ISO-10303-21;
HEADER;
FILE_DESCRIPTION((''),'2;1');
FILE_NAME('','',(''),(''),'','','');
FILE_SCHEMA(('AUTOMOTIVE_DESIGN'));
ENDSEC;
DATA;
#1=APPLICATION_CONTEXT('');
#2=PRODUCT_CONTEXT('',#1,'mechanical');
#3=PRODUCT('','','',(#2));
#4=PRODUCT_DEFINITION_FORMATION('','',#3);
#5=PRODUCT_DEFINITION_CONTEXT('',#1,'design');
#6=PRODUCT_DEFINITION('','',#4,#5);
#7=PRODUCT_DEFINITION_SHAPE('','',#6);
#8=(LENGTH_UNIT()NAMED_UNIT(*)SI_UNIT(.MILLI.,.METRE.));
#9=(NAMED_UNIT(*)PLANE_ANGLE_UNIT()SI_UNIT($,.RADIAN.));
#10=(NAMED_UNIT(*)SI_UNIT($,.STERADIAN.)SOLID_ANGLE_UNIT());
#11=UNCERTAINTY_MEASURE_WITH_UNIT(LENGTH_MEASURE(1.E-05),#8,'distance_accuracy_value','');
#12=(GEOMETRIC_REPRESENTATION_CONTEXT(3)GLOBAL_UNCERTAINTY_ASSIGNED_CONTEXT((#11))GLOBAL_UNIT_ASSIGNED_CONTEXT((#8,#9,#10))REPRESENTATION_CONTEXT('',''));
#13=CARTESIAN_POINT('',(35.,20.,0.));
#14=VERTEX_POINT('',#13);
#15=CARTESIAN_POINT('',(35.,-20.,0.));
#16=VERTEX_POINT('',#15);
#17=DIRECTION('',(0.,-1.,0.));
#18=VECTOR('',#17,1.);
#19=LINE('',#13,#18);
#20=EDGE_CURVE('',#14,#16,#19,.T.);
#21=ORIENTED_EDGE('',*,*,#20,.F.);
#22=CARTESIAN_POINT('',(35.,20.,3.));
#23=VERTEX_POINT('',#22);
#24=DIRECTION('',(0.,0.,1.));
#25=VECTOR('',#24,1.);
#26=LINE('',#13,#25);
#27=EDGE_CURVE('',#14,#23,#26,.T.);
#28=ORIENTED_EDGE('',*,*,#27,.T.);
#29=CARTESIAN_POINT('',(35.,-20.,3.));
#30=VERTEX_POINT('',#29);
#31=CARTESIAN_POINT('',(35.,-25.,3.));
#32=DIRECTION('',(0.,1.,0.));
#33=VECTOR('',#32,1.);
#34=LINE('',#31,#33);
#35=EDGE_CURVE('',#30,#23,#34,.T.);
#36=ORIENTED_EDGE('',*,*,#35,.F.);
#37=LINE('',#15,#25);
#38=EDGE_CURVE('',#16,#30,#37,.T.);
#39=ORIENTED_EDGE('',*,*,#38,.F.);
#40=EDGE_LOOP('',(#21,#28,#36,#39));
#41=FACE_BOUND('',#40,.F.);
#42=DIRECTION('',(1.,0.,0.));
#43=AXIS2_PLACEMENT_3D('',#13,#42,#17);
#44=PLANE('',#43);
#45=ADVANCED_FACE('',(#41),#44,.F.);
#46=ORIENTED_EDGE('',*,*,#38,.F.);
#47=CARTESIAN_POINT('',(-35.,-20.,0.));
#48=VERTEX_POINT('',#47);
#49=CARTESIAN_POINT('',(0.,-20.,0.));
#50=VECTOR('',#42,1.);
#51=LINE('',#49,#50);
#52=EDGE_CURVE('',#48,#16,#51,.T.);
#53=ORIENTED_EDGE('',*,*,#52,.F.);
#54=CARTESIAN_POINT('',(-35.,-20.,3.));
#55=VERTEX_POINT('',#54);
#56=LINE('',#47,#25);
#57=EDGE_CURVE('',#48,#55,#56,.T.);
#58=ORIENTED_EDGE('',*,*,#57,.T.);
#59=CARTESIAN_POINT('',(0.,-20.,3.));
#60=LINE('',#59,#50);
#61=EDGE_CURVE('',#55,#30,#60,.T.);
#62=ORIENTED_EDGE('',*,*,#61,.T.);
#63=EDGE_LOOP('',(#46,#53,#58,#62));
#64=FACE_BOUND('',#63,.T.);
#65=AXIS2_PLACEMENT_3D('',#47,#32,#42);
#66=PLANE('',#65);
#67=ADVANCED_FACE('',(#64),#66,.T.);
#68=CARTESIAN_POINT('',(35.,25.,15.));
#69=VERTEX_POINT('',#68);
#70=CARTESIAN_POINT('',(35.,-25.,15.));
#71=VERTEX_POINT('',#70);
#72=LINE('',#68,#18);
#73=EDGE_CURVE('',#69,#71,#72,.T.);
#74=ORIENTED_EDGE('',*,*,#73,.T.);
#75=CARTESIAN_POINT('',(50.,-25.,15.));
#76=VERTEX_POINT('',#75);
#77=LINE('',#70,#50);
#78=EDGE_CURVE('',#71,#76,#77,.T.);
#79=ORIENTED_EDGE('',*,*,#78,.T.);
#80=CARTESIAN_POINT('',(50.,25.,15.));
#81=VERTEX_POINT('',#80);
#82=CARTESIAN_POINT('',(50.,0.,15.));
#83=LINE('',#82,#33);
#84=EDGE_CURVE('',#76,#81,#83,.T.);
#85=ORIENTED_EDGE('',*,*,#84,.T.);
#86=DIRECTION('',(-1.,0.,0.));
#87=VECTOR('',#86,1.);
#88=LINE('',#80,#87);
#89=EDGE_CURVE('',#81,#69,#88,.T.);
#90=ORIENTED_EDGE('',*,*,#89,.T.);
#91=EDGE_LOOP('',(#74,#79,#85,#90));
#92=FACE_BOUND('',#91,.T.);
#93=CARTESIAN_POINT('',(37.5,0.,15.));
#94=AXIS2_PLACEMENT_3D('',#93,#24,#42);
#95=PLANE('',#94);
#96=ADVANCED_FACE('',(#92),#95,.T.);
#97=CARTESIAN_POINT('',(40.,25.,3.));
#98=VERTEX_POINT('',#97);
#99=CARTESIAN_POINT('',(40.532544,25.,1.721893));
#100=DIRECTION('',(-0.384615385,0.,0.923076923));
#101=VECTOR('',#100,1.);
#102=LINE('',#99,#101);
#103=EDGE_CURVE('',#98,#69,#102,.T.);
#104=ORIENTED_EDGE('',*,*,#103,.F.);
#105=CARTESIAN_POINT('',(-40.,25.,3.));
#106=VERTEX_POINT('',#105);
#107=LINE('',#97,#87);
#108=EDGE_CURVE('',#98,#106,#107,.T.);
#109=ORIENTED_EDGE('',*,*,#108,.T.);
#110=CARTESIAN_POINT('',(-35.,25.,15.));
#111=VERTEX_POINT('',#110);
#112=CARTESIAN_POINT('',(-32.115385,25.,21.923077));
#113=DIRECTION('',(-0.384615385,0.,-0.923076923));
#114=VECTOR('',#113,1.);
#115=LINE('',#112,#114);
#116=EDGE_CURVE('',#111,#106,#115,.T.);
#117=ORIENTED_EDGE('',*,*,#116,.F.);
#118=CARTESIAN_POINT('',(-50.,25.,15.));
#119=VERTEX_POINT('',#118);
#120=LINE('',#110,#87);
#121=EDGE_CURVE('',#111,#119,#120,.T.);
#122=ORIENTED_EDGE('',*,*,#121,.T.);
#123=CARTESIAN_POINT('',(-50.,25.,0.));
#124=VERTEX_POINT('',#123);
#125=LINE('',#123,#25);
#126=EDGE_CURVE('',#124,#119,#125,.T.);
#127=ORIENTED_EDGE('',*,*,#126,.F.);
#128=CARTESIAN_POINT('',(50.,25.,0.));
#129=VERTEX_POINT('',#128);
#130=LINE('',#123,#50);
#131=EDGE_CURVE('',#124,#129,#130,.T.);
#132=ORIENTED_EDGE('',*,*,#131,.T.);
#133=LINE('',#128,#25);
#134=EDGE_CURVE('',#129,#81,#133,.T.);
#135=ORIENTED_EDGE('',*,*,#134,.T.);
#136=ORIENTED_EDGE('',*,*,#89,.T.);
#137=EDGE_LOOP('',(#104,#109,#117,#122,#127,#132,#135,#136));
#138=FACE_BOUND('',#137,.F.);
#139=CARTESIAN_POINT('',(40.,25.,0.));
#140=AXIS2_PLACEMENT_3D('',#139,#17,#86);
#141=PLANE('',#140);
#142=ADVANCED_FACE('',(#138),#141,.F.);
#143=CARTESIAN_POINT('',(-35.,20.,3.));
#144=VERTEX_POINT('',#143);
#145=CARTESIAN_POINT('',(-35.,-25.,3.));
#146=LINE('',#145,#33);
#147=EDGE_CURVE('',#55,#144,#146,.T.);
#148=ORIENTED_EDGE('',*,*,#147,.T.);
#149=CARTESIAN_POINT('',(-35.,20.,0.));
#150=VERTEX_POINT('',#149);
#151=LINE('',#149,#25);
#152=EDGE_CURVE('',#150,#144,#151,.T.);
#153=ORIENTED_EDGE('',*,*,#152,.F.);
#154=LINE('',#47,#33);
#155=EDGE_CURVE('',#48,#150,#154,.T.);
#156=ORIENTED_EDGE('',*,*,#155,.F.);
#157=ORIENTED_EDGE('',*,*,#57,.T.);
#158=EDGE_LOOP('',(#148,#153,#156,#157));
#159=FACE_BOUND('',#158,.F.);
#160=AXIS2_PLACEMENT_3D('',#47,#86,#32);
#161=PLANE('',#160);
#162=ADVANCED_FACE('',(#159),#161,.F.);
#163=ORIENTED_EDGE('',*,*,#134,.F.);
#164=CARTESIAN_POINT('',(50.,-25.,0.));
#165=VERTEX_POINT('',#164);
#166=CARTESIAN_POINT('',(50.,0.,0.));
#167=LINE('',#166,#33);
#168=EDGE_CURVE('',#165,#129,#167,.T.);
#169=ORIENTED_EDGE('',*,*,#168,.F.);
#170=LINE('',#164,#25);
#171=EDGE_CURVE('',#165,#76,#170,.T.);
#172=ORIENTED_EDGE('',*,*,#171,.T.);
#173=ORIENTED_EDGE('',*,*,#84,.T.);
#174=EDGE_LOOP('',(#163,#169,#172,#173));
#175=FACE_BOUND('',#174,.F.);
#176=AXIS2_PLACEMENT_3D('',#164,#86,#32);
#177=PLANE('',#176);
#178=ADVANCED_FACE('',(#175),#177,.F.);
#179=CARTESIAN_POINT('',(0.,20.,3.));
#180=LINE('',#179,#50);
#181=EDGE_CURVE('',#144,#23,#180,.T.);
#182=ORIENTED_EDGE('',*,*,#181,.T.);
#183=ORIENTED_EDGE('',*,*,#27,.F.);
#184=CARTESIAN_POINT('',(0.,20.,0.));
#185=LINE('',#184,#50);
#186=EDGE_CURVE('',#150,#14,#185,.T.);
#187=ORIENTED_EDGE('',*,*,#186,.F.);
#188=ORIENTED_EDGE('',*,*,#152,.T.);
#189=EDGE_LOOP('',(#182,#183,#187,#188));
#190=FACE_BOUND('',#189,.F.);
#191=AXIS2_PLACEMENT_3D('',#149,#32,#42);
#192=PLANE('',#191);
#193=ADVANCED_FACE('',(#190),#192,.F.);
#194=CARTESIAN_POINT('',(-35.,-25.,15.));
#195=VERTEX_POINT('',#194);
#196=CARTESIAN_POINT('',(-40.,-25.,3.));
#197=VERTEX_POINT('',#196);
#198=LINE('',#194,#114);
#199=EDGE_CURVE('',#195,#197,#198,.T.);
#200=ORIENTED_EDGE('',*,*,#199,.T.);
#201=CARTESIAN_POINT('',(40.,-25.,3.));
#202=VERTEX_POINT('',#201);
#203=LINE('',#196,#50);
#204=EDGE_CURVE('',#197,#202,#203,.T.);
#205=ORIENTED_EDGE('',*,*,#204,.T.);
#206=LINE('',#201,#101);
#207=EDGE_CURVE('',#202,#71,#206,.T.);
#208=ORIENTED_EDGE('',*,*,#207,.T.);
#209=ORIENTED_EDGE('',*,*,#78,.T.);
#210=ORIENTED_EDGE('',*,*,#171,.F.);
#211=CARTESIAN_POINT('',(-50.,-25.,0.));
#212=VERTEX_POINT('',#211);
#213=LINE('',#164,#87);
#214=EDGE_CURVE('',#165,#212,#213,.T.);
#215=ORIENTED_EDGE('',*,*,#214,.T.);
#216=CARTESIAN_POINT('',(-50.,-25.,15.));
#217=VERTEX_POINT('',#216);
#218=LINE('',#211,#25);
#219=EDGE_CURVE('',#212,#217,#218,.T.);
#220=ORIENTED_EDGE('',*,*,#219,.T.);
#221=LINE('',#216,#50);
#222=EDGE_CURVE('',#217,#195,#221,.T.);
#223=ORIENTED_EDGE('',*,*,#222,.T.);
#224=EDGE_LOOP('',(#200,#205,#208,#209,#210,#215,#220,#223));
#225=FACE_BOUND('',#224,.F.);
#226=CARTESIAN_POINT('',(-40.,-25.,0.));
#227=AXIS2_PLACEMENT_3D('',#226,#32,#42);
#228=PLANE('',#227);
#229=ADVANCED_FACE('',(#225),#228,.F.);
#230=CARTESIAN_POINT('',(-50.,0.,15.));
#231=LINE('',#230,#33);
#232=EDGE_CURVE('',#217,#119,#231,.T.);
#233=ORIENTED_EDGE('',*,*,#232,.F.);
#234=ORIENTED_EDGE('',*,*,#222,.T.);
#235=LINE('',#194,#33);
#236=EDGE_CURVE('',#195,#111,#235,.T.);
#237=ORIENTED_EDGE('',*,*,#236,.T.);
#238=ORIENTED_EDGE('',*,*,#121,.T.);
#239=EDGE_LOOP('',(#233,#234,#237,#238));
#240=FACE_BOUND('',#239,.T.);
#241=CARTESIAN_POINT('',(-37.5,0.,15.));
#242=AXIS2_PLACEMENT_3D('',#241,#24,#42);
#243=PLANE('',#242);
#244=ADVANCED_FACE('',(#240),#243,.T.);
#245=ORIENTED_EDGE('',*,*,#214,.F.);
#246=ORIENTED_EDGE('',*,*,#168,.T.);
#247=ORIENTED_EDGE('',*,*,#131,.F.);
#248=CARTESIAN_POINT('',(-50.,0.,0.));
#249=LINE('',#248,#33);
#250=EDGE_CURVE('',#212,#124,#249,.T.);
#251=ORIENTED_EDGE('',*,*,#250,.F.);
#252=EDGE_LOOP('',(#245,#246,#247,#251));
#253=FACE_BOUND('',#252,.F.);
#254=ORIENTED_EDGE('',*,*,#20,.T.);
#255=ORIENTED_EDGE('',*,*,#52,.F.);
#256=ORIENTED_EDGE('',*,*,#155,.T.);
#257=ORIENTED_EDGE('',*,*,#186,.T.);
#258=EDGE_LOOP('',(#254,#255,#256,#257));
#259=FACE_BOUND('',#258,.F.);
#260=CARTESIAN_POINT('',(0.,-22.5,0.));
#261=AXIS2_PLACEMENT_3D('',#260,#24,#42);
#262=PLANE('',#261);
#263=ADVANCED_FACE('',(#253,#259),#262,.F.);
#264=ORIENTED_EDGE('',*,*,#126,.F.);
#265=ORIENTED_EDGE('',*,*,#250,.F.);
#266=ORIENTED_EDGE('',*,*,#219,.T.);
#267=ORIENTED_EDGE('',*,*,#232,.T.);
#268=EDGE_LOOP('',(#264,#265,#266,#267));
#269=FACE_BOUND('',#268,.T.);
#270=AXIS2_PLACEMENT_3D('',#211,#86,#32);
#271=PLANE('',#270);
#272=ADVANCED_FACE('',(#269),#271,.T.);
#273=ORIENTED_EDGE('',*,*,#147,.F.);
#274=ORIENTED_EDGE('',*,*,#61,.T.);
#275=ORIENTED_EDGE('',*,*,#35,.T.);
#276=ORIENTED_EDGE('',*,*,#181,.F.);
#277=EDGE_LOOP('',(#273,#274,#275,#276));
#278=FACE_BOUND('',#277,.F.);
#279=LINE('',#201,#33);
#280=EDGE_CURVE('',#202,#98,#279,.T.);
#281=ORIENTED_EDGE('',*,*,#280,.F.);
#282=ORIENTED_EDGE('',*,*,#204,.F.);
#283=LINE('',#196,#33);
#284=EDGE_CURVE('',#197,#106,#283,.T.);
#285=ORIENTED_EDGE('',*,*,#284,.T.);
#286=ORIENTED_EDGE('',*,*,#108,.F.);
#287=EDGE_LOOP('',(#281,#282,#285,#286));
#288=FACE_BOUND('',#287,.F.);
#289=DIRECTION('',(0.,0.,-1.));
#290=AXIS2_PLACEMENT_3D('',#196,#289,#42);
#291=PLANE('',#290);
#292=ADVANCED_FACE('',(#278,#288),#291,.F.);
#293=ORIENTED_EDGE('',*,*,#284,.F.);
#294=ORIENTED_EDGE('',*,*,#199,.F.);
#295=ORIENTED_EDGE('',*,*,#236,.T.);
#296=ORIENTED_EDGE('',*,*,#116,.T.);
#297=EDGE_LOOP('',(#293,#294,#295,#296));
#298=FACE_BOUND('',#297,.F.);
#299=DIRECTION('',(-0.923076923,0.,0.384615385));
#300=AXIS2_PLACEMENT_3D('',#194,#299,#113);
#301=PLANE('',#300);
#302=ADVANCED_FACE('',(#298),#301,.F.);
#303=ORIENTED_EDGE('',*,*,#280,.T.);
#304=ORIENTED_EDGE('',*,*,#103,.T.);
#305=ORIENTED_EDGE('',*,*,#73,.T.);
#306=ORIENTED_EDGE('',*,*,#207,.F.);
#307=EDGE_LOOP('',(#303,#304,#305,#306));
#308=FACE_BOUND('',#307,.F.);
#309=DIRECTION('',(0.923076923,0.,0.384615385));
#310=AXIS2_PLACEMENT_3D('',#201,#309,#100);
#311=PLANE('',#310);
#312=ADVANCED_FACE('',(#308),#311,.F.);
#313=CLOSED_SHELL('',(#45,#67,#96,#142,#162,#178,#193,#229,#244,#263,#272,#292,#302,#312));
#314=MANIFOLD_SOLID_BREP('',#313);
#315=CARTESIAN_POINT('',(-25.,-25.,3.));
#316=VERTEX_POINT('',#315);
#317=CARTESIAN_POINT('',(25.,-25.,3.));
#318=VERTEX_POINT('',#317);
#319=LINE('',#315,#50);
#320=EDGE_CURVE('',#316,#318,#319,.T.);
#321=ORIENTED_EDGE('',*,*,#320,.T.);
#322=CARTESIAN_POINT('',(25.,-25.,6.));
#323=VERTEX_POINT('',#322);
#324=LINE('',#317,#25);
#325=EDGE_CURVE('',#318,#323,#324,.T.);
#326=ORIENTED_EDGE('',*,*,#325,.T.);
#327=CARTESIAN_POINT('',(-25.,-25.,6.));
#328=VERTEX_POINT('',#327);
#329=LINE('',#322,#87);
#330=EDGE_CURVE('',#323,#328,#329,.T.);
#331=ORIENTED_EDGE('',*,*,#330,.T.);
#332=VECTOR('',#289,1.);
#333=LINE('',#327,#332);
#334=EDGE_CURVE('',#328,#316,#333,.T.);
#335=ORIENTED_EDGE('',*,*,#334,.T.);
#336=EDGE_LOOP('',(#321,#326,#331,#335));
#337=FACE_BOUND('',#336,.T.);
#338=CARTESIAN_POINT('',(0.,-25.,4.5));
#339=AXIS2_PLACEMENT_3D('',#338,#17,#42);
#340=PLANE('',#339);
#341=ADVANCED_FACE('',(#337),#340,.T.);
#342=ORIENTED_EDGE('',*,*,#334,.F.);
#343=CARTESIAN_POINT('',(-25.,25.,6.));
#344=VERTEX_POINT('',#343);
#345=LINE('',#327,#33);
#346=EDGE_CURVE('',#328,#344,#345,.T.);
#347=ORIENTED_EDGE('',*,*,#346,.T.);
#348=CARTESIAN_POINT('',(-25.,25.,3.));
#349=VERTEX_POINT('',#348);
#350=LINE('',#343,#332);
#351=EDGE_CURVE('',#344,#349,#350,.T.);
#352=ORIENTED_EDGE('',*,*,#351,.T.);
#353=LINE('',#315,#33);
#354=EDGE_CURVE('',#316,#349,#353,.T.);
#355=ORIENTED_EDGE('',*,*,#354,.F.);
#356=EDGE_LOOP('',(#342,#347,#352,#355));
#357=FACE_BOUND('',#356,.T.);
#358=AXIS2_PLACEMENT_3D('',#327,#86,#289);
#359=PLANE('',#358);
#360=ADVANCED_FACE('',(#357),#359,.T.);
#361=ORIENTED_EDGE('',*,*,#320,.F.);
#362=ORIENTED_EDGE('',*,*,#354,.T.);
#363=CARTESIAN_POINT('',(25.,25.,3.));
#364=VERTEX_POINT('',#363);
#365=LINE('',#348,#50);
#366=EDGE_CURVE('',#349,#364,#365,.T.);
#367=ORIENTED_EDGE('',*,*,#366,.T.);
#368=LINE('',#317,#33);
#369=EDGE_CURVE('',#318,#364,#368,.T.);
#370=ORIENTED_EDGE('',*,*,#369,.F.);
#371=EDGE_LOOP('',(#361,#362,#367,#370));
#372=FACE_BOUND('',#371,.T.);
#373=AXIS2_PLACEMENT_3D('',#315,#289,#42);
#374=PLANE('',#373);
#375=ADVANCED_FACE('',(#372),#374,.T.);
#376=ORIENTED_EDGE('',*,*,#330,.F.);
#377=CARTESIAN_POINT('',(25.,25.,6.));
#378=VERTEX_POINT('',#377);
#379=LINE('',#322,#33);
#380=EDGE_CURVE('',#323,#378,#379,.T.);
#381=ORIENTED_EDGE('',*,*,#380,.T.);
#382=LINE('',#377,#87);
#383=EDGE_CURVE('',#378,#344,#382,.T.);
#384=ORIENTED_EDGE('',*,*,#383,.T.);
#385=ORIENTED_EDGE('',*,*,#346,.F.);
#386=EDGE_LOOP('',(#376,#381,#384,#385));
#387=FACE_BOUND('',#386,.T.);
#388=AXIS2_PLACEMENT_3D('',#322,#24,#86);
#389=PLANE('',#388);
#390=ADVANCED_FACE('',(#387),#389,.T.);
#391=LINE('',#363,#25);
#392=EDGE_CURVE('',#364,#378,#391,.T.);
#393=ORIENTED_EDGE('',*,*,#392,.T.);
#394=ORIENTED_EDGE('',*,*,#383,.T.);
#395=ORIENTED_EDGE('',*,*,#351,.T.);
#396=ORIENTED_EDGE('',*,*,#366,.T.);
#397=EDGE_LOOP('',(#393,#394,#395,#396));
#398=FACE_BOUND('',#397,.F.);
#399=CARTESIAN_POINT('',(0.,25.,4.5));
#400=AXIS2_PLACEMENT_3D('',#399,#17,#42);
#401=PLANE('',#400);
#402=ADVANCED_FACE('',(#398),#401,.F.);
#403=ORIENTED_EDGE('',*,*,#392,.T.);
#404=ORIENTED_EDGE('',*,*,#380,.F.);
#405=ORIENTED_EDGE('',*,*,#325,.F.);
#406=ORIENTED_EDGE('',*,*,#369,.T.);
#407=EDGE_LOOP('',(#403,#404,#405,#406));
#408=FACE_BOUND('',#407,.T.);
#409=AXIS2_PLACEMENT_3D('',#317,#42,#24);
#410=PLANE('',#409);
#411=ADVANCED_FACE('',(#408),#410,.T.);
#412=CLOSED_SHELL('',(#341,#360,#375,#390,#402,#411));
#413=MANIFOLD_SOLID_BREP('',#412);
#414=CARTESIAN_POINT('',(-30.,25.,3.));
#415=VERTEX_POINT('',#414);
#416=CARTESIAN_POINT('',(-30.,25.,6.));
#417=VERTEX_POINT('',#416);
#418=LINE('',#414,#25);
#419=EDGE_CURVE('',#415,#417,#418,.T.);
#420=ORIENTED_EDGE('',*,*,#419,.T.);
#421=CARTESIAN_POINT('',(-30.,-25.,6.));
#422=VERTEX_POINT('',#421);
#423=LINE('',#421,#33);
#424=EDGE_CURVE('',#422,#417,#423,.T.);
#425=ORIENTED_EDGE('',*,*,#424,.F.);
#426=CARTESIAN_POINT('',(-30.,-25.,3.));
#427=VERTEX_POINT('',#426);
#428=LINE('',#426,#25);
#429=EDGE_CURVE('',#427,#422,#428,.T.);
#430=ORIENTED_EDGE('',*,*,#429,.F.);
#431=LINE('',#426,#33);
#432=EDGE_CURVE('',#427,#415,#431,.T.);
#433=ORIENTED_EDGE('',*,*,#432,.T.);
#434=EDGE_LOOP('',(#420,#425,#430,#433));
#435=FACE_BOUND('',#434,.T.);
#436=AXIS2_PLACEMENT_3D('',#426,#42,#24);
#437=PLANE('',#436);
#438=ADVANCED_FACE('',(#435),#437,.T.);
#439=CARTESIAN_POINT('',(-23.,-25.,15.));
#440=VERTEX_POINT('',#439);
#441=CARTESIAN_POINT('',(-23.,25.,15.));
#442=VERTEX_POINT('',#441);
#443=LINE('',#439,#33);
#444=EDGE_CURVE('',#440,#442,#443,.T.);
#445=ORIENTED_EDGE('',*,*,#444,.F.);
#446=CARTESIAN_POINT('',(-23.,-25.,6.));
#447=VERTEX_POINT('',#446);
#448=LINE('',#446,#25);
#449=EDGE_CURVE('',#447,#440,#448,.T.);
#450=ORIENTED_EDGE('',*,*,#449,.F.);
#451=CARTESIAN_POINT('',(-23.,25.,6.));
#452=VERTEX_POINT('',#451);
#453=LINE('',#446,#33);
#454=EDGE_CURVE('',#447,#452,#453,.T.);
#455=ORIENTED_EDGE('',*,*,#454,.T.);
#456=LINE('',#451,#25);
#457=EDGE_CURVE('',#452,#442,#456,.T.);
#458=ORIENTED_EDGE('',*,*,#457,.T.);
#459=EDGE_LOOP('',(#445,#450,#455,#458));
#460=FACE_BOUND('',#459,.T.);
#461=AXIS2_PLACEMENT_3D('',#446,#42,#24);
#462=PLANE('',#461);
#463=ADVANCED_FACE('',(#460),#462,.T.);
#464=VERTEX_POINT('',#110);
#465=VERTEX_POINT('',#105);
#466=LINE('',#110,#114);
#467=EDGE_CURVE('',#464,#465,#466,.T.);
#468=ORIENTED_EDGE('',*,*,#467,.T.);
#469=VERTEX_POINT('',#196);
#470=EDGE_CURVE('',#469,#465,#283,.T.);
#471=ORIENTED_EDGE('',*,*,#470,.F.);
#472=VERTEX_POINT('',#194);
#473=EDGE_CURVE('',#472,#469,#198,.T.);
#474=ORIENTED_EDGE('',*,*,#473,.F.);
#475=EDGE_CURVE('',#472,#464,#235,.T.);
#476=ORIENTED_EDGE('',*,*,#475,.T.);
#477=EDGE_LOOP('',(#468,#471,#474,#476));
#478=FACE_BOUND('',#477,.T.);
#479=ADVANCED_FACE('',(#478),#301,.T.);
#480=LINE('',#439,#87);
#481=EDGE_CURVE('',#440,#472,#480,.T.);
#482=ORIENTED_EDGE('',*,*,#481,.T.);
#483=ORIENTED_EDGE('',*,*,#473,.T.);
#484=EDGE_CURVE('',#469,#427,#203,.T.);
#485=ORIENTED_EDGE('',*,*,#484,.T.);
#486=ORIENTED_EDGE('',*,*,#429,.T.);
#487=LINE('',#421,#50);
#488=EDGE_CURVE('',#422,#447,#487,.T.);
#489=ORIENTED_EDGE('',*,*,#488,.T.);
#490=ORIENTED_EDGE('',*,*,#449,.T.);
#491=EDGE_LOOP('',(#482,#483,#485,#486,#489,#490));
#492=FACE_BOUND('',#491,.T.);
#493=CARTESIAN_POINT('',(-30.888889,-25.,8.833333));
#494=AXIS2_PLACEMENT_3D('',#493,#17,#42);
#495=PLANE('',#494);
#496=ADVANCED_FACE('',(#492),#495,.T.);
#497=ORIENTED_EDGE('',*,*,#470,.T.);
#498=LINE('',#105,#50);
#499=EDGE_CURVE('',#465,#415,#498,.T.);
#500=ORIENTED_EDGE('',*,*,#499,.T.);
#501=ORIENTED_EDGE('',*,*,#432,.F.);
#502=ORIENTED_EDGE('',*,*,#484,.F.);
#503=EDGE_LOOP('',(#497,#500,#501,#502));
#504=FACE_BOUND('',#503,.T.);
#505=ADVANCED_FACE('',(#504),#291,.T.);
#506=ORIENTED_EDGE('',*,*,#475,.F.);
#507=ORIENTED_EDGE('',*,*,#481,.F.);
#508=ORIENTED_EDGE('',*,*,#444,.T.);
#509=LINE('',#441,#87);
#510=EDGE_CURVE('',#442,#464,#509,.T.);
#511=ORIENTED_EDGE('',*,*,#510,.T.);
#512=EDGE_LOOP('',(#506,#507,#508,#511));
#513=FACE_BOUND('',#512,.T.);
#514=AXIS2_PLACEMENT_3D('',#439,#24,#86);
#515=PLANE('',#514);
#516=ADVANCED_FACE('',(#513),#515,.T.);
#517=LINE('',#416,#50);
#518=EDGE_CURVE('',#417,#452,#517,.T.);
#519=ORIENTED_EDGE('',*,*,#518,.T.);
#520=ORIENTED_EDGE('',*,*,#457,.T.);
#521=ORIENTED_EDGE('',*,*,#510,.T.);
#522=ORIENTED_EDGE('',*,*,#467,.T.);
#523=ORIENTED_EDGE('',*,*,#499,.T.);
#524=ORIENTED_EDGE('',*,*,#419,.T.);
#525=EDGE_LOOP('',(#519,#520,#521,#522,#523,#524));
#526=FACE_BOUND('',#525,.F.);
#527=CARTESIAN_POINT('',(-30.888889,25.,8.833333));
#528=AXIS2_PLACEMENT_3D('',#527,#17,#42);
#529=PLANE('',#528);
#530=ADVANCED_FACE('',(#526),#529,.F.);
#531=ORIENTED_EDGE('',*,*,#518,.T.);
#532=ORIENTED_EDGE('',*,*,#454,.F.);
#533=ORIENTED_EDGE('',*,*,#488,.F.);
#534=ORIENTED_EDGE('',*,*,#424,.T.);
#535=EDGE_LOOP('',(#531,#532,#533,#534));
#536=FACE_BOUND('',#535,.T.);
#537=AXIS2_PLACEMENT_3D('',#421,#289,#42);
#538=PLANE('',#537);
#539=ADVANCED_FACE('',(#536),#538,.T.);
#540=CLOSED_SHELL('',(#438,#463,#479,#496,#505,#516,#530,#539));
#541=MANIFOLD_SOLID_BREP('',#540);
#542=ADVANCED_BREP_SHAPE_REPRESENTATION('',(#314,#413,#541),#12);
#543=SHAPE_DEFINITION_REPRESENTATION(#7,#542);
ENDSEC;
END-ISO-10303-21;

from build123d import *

# Parameters (mm, degrees)
F0_W     = 70
F0_H     = 5
F1_DEPTH = 3
F0_W_2   = 10
F0_H_2   = 50
F2_DEPTH = 15
F4_DEPTH = 50.001
F6_DEPTH = 50
F7_DEPTH = 50


with BuildPart() as f1:
    # F0 (on Top) → F1 (new body)
    with BuildSketch(Plane.XY):
        with Locations((0, -22.5)):
            Rectangle(F0_W, F0_H)
        Polygon((-40, -25), (-35, -25), (-35, -20), (-35, 20), (-35, 25), (-40, 25), align=None)
        with Locations((0, 22.5)):
            Rectangle(F0_W, F0_H)
        Polygon((35, -25), (40, -25), (40, 25), (35, 25), (35, 20), (35, -20), align=None)
    extrude(amount=F1_DEPTH)

    # F0 (on Top) → F2 (join)
    with BuildSketch(Plane.XY):
        Polygon((-40, -25), (-35, -25), (-35, -20), (-35, 20), (-35, 25), (-40, 25), align=None)
        with Locations((-45, 0)):
            Rectangle(F0_W_2, F0_H_2)
        Polygon((35, -25), (40, -25), (40, 25), (35, 25), (35, 20), (35, -20), align=None)
        with Locations((45, 0)):
            Rectangle(F0_W_2, F0_H_2)
    extrude(amount=F2_DEPTH)

    # F3 (on face) → F4 (cut, through all)
    with BuildSketch(Plane.XZ.offset(25)):
        Polygon((-35, 3), (-35, 15), (-40, 3), align=None)
        Polygon((35, 15), (35, 3), (40, 3), align=None)
    extrude(amount=-F4_DEPTH, mode=Mode.SUBTRACT)


with BuildPart() as f6:
    # F5 (on face) → F6 (new body, through all)
    with BuildSketch(Plane.XZ.offset(25)):
        Polygon((25, 6), (-23, 6), (-25, 6), (-25, 3), (25, 3), align=None)
    extrude(amount=-F6_DEPTH)


with BuildPart() as f7:
    # F5 (on face) → F7 (new body, through all)
    with BuildSketch(Plane.XZ.offset(25)):
        Polygon((-23, 15), (-35, 15), (-40, 3), (-30, 3), (-30, 6), (-25, 6), (-23, 6), align=None)
    extrude(amount=-F7_DEPTH)


solid = Compound([f1.part, f6.part, f7.part])
